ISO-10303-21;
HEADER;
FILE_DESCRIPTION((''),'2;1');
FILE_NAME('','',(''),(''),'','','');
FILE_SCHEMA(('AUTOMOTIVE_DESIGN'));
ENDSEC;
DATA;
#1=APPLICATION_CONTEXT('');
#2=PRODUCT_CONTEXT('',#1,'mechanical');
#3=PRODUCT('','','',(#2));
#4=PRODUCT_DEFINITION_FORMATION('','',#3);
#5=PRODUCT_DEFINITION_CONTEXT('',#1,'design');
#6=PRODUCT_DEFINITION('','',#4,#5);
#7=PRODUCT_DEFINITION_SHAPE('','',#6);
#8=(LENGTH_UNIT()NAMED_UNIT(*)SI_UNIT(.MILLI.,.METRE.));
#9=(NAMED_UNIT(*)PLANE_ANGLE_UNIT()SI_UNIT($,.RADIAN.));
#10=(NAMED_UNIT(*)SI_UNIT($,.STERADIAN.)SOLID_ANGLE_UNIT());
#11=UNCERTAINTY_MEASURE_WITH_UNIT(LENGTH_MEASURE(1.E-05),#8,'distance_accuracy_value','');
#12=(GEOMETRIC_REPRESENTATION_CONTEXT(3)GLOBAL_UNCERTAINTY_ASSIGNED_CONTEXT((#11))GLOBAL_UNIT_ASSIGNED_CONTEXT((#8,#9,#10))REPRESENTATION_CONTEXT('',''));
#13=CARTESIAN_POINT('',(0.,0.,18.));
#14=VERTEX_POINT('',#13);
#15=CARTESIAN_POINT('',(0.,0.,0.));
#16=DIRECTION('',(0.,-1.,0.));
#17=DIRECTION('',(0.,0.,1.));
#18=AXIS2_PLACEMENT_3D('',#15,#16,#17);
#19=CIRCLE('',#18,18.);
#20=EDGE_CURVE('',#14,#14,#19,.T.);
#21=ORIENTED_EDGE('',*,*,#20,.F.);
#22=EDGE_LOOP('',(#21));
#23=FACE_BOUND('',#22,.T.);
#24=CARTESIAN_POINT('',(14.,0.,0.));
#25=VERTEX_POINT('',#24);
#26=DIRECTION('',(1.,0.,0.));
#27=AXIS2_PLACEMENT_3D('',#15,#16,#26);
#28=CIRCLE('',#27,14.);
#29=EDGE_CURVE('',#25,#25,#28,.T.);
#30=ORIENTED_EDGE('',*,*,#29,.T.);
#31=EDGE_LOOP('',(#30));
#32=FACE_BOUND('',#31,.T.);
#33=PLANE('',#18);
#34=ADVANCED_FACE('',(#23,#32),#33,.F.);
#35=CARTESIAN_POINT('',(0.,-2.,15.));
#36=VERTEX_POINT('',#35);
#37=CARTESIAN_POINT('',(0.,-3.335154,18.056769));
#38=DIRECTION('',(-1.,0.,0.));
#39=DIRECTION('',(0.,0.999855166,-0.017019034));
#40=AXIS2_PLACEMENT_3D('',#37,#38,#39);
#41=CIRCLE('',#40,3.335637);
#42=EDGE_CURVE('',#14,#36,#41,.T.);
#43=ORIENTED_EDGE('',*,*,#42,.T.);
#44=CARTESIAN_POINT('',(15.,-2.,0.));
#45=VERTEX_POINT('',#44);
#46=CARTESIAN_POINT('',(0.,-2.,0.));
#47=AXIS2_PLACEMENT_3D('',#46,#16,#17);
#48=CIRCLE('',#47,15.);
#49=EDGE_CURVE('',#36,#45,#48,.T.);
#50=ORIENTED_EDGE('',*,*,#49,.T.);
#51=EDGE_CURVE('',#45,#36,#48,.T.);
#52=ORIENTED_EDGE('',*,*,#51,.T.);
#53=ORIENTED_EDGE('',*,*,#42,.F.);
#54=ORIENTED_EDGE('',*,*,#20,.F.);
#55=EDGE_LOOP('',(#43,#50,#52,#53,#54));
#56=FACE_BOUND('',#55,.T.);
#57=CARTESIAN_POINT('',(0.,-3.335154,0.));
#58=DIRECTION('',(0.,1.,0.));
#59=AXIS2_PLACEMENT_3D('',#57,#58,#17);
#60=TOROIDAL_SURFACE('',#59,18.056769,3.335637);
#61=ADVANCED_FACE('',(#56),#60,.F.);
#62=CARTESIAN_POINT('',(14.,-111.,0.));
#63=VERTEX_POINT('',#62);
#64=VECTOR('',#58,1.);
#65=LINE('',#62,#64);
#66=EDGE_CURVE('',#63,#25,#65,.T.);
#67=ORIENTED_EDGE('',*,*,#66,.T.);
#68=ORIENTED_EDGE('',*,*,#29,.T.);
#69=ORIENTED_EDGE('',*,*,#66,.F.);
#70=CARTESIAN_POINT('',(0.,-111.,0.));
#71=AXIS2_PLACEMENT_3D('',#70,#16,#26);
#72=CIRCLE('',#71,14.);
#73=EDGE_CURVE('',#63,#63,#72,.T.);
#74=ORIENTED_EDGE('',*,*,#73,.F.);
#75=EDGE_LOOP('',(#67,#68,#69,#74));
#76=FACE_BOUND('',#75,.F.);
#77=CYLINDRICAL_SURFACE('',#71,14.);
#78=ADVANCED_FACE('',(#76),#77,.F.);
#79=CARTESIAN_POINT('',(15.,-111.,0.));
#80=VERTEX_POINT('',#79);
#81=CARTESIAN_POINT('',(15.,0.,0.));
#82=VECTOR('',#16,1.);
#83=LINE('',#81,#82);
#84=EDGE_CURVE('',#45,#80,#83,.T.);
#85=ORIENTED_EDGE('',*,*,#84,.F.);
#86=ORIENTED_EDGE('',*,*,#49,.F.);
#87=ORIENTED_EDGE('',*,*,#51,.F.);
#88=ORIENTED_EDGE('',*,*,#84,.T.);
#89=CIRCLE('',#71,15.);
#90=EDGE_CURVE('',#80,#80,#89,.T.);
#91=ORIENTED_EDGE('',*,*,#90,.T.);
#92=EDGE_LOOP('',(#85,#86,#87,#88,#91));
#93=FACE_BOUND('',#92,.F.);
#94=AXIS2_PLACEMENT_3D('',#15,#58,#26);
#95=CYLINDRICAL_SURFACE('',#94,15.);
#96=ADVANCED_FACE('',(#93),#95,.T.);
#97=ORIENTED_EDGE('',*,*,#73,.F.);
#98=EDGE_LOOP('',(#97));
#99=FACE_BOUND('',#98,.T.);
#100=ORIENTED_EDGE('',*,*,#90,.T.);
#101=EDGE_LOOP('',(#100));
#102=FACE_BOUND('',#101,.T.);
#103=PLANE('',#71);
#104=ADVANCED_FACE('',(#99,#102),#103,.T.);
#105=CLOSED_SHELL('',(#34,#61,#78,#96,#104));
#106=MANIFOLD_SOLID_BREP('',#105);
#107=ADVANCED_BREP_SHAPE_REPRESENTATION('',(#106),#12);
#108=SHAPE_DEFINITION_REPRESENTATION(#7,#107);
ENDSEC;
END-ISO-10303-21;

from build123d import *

# Parameters (mm, degrees)
F0_R     = 15
F1_DEPTH = 111
F2_R     = 14
F3_DEPTH = 111


with BuildPart() as f1:
    # F0 (on Front) → F1 (new body)
    with BuildSketch(Plane.XZ):
        Circle(F0_R)
    extrude(amount=F1_DEPTH)

    # F2 (on face) → F3 (cut)
    with BuildSketch(Plane.XZ.offset(111)):
        Circle(F2_R)
    extrude(amount=-F3_DEPTH, mode=Mode.SUBTRACT)

    # F4 (on Right) → F5 (revolve)
    with BuildSketch(Plane.YZ):
        with BuildLine():
            Line((-2, 15), (0, 15))
            Line((0, 15), (0, 18))
            ThreePointArc((0, 18), (-0.559736, 16.206491), (-2, 15))
        make_face()
    revolve(axis=Axis((0, -111, 0), (0, -1, 0)))


solid = f1.part
